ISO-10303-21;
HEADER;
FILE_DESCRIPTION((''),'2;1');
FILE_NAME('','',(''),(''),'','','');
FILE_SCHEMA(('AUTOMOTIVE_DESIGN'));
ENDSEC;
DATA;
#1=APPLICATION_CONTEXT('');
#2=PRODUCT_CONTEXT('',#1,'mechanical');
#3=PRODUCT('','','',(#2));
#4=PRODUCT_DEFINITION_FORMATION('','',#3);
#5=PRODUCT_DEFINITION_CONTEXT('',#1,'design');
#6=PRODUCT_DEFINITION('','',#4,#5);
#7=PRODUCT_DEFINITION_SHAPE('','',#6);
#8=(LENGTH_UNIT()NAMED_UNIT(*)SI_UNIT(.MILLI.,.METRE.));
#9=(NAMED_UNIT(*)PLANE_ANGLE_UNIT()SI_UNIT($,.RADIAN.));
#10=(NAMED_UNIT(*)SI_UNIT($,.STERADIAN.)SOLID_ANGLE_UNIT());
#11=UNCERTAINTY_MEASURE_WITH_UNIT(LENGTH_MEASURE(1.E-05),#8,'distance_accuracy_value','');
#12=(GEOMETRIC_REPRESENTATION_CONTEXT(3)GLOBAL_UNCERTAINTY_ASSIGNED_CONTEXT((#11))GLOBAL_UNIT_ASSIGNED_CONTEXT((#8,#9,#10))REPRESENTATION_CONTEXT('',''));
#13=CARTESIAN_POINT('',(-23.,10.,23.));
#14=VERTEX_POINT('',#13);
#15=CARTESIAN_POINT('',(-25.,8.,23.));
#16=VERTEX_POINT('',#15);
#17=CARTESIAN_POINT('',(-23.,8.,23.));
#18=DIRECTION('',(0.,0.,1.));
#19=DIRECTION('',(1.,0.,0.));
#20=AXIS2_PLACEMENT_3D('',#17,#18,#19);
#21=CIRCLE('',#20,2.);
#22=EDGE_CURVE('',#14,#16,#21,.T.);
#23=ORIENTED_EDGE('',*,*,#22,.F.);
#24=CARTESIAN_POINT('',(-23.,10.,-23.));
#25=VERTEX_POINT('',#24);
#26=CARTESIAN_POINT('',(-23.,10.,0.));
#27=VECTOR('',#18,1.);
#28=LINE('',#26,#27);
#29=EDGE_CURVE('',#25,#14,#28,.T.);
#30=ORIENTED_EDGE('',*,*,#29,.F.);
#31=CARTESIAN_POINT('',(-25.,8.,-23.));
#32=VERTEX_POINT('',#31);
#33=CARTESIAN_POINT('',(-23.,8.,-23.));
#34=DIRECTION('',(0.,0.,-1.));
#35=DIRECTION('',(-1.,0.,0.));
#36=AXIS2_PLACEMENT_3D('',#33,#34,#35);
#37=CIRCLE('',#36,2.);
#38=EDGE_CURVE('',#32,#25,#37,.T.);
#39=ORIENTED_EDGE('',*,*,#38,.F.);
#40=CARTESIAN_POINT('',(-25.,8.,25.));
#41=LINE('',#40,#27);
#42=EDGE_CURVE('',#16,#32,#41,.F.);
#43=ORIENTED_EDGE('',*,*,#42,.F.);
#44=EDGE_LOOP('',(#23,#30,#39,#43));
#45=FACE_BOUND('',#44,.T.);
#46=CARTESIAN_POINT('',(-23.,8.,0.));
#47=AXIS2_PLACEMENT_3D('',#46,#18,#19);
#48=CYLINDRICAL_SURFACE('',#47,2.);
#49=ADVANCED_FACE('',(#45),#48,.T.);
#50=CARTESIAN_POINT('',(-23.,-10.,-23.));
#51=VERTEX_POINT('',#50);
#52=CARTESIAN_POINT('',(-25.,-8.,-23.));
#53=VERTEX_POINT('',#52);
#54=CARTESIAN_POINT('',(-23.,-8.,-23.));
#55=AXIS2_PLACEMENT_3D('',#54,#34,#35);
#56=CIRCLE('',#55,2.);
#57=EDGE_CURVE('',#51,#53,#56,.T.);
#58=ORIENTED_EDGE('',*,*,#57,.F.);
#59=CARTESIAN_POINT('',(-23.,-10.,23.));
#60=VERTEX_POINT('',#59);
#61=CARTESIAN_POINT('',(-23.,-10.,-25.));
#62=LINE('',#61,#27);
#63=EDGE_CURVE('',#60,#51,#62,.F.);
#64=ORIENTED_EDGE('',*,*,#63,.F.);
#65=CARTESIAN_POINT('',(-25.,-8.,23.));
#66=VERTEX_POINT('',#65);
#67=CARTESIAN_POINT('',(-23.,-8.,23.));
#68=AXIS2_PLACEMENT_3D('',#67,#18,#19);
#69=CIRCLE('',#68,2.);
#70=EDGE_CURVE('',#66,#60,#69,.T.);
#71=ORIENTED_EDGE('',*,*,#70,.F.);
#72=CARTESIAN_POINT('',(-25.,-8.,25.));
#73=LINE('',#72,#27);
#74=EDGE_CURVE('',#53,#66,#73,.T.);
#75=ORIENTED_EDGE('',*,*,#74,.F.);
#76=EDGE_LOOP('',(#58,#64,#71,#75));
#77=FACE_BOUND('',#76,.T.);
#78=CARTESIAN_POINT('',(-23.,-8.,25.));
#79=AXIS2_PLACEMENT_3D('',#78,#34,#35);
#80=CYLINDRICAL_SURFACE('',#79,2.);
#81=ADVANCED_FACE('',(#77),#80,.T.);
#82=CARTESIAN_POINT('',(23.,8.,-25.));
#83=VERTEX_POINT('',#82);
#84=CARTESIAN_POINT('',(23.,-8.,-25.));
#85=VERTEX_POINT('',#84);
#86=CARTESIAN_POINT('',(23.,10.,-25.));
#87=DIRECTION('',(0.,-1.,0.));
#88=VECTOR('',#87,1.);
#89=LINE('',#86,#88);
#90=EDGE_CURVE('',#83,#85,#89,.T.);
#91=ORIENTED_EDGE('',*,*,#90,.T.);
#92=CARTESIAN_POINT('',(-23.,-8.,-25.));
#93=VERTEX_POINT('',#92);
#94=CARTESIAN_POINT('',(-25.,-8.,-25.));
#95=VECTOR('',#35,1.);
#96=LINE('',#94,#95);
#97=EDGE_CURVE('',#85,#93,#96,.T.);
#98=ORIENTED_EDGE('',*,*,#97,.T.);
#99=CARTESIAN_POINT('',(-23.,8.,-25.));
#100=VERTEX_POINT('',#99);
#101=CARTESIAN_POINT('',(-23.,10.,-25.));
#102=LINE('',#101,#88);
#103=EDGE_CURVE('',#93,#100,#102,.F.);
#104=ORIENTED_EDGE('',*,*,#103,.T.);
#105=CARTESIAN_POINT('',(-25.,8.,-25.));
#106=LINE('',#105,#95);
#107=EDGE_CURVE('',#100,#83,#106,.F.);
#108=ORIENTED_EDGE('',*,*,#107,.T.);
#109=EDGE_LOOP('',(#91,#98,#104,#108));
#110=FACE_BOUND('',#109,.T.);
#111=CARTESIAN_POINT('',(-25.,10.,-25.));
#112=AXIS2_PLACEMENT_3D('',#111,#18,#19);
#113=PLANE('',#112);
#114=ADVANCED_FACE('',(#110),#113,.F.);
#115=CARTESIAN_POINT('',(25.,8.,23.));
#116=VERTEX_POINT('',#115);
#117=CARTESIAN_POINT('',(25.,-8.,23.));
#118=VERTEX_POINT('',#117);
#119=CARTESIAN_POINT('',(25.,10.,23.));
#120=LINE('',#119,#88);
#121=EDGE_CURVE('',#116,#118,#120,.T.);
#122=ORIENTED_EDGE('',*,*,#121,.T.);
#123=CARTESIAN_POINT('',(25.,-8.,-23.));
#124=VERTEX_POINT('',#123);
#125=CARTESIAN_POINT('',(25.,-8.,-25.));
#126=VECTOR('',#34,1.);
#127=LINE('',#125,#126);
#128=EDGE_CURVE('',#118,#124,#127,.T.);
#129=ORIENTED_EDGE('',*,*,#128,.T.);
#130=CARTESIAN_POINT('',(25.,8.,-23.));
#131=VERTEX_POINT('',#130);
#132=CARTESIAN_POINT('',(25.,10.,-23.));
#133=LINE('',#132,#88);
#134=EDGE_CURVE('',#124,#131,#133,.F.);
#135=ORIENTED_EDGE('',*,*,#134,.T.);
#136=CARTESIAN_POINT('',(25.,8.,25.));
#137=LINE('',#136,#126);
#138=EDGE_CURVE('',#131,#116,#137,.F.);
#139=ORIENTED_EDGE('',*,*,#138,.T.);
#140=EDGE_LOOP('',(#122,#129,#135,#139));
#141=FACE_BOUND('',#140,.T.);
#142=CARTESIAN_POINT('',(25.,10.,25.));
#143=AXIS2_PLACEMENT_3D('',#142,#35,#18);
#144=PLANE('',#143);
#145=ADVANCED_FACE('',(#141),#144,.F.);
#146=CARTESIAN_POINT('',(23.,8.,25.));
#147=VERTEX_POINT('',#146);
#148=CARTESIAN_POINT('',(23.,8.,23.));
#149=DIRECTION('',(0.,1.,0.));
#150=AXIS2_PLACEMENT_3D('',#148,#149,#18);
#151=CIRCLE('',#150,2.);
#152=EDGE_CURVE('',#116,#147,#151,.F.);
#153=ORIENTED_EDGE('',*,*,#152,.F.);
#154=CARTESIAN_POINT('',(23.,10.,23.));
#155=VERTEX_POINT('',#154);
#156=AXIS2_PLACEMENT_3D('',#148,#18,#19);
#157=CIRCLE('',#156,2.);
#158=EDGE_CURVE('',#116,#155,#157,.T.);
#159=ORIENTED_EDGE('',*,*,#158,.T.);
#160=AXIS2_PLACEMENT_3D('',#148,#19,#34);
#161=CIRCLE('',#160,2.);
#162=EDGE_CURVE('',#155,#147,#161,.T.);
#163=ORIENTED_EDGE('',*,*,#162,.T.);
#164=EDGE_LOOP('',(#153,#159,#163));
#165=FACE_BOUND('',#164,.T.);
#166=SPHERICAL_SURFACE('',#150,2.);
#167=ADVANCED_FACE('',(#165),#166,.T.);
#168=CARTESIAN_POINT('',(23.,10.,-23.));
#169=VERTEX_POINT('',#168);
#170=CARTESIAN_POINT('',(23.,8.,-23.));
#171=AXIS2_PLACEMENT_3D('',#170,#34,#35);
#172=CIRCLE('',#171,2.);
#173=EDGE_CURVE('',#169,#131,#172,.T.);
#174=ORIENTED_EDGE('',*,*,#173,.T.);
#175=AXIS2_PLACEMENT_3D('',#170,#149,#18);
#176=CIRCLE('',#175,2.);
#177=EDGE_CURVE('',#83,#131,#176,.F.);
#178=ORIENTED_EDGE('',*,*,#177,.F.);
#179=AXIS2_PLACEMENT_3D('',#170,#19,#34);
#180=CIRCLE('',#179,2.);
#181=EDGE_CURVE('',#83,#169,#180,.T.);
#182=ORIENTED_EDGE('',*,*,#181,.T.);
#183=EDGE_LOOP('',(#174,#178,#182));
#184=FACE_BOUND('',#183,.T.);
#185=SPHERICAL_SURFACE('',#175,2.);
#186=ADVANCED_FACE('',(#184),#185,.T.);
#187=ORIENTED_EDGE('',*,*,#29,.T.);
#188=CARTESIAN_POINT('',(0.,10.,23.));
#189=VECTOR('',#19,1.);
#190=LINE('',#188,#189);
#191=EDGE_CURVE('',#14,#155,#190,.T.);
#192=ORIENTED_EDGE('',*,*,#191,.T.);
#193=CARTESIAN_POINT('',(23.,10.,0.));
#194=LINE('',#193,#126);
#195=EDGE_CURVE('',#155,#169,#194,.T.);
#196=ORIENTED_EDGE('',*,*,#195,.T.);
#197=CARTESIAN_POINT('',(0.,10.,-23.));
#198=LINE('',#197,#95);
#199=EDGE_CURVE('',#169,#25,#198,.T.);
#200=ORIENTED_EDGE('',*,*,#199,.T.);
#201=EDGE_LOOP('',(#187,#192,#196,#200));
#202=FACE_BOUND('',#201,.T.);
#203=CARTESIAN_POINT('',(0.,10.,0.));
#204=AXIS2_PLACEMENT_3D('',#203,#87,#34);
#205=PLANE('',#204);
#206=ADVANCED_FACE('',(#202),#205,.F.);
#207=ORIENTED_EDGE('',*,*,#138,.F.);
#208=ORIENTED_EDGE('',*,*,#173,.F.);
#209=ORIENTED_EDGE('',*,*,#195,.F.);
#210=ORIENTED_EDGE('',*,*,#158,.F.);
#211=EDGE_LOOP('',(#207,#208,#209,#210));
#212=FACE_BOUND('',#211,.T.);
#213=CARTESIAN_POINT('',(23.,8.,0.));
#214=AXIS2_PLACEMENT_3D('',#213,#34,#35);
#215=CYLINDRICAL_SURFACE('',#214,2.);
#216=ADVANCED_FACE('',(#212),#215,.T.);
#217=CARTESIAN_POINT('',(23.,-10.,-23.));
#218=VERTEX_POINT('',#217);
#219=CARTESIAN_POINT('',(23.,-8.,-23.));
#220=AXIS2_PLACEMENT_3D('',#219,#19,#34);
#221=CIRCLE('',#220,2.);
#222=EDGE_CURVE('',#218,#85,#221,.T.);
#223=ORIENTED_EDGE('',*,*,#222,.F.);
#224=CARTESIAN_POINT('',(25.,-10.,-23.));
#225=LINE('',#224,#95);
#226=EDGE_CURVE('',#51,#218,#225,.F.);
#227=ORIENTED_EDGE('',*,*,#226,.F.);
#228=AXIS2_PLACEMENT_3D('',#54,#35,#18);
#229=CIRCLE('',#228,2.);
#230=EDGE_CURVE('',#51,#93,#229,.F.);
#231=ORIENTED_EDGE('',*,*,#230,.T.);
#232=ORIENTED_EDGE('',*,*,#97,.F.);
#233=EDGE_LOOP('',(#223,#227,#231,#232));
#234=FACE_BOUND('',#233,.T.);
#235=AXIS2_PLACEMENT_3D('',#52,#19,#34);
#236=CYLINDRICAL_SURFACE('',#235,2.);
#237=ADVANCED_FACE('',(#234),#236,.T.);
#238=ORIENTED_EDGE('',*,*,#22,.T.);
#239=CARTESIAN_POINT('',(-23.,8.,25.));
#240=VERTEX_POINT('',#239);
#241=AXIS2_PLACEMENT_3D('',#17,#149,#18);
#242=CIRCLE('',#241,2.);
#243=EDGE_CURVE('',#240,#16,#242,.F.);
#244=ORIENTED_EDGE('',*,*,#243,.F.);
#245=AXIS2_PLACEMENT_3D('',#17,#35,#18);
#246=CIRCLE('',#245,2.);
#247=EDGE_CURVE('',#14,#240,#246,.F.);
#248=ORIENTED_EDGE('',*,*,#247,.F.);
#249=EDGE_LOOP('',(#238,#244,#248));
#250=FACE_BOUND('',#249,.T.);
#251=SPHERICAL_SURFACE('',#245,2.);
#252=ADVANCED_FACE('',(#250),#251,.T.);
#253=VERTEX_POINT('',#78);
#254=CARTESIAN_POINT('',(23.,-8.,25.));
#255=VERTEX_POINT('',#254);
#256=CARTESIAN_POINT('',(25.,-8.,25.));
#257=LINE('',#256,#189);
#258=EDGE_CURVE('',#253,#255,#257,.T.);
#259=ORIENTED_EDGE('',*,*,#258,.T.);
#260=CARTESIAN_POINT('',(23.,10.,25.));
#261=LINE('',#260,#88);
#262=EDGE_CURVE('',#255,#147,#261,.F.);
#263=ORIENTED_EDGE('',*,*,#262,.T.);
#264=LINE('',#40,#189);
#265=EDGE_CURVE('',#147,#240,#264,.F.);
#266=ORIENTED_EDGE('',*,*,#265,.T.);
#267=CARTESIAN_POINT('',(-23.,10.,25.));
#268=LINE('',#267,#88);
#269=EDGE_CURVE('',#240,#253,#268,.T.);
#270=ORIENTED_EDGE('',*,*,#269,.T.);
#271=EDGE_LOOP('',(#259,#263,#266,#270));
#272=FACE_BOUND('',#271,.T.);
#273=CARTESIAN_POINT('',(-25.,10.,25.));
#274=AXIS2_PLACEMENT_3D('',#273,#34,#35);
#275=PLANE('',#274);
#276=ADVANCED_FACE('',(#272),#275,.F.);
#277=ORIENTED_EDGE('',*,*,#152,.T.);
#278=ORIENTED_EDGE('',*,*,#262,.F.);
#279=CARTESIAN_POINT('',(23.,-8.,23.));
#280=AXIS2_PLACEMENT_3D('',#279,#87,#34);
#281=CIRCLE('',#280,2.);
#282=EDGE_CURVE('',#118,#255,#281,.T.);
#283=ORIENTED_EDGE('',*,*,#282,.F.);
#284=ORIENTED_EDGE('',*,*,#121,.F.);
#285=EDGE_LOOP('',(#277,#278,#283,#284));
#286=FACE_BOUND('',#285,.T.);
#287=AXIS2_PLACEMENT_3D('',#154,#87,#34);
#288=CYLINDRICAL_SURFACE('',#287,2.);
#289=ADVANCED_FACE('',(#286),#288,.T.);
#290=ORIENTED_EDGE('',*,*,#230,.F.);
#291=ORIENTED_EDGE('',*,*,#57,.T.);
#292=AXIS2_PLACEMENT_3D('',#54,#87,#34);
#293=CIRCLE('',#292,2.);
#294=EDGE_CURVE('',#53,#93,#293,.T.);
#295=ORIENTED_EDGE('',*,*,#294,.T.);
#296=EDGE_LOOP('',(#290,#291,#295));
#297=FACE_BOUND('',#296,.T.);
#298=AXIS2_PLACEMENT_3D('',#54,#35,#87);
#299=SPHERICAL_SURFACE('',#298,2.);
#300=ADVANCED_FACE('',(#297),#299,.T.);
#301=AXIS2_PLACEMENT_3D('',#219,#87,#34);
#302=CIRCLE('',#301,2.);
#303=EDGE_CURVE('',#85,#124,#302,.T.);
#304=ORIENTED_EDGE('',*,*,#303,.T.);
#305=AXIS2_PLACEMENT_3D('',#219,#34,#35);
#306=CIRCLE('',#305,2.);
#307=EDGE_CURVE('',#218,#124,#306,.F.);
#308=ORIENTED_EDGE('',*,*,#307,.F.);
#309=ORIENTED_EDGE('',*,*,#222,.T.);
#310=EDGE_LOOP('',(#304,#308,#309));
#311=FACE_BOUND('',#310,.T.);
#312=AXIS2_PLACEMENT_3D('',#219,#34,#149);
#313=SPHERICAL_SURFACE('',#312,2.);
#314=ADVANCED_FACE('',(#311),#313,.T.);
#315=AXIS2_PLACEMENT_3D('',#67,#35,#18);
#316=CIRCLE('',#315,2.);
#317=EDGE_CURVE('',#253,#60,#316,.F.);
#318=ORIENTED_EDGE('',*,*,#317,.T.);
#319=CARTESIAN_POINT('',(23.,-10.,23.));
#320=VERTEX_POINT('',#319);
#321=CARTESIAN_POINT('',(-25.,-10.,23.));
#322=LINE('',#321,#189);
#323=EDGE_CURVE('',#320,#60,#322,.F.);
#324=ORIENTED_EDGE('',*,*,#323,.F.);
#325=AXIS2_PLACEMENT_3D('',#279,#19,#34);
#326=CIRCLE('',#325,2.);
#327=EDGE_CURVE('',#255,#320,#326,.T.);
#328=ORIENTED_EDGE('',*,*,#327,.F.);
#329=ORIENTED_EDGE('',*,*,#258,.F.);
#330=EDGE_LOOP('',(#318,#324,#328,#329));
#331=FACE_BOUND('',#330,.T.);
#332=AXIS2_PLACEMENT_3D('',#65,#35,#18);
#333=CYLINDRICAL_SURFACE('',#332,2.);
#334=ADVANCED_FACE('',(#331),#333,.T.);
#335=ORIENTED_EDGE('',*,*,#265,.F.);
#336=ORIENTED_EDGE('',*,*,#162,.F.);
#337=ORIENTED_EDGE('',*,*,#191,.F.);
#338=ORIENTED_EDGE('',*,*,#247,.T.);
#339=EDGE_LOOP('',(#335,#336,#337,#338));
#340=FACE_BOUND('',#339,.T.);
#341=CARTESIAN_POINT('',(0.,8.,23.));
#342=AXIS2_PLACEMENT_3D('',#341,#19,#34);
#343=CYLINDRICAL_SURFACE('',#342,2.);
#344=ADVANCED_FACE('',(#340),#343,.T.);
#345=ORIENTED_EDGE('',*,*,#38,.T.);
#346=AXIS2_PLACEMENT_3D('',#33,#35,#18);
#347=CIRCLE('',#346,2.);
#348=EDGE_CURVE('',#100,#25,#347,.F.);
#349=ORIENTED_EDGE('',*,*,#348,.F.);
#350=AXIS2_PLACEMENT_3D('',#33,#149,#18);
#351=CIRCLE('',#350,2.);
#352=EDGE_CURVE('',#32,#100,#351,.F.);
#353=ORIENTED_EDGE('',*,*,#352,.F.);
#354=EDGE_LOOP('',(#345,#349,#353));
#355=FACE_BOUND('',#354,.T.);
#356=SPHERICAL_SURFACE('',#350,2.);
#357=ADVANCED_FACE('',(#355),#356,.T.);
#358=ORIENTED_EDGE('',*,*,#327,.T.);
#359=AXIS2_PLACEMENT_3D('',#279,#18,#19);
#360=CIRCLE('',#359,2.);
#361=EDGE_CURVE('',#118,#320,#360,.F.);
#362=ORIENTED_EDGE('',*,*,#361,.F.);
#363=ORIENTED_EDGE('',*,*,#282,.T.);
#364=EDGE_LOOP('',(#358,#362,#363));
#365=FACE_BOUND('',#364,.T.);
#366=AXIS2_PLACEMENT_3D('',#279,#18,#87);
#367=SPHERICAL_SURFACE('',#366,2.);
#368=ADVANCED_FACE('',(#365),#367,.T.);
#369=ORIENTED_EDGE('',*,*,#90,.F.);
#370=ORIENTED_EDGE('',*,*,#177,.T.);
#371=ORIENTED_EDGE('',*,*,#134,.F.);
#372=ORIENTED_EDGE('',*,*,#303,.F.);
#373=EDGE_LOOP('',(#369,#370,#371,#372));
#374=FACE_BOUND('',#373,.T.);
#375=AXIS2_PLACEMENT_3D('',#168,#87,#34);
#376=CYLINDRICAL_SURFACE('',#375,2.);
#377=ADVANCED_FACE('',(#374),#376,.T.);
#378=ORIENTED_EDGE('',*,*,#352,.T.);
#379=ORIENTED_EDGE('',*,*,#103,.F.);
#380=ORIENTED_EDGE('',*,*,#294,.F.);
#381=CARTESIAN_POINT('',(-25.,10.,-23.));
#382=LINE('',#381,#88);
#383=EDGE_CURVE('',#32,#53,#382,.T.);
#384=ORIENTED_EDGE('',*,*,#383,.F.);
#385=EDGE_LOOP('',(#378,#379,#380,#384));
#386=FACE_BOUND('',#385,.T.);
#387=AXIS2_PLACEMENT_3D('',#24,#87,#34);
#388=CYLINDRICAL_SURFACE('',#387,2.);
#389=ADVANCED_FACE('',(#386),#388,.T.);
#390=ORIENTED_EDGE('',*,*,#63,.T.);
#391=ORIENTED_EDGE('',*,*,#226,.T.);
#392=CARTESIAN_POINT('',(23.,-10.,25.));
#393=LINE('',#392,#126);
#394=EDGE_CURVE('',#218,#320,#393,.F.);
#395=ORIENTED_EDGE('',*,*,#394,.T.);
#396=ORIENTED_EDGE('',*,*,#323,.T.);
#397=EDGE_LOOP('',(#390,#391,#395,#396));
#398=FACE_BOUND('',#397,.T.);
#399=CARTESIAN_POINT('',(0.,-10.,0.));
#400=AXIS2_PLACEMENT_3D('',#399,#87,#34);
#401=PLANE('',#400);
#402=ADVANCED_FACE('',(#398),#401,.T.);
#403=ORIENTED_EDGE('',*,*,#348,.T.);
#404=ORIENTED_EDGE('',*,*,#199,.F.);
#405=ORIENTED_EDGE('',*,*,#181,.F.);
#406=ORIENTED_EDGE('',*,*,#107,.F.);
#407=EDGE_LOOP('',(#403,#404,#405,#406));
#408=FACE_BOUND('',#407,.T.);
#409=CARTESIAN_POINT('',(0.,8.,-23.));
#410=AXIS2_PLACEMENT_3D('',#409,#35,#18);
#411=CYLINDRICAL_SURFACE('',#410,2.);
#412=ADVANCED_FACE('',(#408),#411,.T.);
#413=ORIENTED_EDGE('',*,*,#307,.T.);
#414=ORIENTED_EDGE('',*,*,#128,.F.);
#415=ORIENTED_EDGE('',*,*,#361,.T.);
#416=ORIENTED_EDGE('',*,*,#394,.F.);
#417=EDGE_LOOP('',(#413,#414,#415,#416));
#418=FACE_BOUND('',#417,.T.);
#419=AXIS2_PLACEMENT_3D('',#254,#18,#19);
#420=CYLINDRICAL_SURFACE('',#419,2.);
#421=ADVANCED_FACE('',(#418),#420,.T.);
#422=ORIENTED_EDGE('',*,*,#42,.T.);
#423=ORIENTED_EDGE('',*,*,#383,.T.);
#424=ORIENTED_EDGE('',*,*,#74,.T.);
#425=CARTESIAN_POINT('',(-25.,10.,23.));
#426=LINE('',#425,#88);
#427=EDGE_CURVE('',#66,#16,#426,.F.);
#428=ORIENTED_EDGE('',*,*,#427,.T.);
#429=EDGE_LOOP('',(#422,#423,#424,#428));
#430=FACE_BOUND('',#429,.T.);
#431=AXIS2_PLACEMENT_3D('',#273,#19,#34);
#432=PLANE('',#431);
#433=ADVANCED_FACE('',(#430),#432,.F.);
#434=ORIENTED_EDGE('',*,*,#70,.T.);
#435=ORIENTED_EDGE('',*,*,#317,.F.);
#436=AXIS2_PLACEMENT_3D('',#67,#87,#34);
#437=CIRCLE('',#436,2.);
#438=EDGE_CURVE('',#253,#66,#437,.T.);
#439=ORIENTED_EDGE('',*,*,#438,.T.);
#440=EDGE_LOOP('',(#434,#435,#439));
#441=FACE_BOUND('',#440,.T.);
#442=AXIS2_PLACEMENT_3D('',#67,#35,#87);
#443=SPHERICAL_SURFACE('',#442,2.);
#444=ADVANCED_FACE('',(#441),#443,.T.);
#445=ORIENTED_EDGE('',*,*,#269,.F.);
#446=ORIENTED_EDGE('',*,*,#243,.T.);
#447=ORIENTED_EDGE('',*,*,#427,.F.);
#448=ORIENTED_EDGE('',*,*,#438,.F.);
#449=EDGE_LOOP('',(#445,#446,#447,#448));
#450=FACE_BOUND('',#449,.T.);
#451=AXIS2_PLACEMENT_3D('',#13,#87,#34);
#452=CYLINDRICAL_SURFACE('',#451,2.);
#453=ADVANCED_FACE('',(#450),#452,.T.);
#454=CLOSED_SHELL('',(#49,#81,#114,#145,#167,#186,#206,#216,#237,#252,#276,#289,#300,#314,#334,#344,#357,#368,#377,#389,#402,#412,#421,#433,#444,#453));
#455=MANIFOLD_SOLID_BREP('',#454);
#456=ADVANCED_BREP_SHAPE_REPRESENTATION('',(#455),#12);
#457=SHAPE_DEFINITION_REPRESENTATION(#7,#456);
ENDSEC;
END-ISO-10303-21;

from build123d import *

# Parameters (mm, degrees)
SKETCH_1_W      = 50
SKETCH_1_H      = 50
EXTRUDE_1_DEPTH = 10
FILLET_1_R      = 2


with BuildPart() as part:
    # 草图1 → 凸台-拉伸1 (new, symmetric)
    with BuildSketch(Plane(origin=(0, 0, 0), x_dir=(1, 0, 0), z_dir=(0, 1, 0))):
        Rectangle(SKETCH_1_W, SKETCH_1_H)
    extrude(amount=EXTRUDE_1_DEPTH, both=True)

    # 圆角1
    fillet_1_edges = [part.edges().sort_by_distance(p)[0] for p in [
        (-25, 10, 0),
        (0, 10, 25),
        (25, 10, 0),
        (0, -10, 25),
        (-25, -10, 0),
        (0, -10, -25),
        (25, -10, 0),
        (25, 0, 25),
        (-25, 0, 25),
        (-25, 0, -25),
        (25, 0, -25),
        (0, 10, -25),
    ]]
    fillet(fillet_1_edges, radius=FILLET_1_R)


solid = part.part
